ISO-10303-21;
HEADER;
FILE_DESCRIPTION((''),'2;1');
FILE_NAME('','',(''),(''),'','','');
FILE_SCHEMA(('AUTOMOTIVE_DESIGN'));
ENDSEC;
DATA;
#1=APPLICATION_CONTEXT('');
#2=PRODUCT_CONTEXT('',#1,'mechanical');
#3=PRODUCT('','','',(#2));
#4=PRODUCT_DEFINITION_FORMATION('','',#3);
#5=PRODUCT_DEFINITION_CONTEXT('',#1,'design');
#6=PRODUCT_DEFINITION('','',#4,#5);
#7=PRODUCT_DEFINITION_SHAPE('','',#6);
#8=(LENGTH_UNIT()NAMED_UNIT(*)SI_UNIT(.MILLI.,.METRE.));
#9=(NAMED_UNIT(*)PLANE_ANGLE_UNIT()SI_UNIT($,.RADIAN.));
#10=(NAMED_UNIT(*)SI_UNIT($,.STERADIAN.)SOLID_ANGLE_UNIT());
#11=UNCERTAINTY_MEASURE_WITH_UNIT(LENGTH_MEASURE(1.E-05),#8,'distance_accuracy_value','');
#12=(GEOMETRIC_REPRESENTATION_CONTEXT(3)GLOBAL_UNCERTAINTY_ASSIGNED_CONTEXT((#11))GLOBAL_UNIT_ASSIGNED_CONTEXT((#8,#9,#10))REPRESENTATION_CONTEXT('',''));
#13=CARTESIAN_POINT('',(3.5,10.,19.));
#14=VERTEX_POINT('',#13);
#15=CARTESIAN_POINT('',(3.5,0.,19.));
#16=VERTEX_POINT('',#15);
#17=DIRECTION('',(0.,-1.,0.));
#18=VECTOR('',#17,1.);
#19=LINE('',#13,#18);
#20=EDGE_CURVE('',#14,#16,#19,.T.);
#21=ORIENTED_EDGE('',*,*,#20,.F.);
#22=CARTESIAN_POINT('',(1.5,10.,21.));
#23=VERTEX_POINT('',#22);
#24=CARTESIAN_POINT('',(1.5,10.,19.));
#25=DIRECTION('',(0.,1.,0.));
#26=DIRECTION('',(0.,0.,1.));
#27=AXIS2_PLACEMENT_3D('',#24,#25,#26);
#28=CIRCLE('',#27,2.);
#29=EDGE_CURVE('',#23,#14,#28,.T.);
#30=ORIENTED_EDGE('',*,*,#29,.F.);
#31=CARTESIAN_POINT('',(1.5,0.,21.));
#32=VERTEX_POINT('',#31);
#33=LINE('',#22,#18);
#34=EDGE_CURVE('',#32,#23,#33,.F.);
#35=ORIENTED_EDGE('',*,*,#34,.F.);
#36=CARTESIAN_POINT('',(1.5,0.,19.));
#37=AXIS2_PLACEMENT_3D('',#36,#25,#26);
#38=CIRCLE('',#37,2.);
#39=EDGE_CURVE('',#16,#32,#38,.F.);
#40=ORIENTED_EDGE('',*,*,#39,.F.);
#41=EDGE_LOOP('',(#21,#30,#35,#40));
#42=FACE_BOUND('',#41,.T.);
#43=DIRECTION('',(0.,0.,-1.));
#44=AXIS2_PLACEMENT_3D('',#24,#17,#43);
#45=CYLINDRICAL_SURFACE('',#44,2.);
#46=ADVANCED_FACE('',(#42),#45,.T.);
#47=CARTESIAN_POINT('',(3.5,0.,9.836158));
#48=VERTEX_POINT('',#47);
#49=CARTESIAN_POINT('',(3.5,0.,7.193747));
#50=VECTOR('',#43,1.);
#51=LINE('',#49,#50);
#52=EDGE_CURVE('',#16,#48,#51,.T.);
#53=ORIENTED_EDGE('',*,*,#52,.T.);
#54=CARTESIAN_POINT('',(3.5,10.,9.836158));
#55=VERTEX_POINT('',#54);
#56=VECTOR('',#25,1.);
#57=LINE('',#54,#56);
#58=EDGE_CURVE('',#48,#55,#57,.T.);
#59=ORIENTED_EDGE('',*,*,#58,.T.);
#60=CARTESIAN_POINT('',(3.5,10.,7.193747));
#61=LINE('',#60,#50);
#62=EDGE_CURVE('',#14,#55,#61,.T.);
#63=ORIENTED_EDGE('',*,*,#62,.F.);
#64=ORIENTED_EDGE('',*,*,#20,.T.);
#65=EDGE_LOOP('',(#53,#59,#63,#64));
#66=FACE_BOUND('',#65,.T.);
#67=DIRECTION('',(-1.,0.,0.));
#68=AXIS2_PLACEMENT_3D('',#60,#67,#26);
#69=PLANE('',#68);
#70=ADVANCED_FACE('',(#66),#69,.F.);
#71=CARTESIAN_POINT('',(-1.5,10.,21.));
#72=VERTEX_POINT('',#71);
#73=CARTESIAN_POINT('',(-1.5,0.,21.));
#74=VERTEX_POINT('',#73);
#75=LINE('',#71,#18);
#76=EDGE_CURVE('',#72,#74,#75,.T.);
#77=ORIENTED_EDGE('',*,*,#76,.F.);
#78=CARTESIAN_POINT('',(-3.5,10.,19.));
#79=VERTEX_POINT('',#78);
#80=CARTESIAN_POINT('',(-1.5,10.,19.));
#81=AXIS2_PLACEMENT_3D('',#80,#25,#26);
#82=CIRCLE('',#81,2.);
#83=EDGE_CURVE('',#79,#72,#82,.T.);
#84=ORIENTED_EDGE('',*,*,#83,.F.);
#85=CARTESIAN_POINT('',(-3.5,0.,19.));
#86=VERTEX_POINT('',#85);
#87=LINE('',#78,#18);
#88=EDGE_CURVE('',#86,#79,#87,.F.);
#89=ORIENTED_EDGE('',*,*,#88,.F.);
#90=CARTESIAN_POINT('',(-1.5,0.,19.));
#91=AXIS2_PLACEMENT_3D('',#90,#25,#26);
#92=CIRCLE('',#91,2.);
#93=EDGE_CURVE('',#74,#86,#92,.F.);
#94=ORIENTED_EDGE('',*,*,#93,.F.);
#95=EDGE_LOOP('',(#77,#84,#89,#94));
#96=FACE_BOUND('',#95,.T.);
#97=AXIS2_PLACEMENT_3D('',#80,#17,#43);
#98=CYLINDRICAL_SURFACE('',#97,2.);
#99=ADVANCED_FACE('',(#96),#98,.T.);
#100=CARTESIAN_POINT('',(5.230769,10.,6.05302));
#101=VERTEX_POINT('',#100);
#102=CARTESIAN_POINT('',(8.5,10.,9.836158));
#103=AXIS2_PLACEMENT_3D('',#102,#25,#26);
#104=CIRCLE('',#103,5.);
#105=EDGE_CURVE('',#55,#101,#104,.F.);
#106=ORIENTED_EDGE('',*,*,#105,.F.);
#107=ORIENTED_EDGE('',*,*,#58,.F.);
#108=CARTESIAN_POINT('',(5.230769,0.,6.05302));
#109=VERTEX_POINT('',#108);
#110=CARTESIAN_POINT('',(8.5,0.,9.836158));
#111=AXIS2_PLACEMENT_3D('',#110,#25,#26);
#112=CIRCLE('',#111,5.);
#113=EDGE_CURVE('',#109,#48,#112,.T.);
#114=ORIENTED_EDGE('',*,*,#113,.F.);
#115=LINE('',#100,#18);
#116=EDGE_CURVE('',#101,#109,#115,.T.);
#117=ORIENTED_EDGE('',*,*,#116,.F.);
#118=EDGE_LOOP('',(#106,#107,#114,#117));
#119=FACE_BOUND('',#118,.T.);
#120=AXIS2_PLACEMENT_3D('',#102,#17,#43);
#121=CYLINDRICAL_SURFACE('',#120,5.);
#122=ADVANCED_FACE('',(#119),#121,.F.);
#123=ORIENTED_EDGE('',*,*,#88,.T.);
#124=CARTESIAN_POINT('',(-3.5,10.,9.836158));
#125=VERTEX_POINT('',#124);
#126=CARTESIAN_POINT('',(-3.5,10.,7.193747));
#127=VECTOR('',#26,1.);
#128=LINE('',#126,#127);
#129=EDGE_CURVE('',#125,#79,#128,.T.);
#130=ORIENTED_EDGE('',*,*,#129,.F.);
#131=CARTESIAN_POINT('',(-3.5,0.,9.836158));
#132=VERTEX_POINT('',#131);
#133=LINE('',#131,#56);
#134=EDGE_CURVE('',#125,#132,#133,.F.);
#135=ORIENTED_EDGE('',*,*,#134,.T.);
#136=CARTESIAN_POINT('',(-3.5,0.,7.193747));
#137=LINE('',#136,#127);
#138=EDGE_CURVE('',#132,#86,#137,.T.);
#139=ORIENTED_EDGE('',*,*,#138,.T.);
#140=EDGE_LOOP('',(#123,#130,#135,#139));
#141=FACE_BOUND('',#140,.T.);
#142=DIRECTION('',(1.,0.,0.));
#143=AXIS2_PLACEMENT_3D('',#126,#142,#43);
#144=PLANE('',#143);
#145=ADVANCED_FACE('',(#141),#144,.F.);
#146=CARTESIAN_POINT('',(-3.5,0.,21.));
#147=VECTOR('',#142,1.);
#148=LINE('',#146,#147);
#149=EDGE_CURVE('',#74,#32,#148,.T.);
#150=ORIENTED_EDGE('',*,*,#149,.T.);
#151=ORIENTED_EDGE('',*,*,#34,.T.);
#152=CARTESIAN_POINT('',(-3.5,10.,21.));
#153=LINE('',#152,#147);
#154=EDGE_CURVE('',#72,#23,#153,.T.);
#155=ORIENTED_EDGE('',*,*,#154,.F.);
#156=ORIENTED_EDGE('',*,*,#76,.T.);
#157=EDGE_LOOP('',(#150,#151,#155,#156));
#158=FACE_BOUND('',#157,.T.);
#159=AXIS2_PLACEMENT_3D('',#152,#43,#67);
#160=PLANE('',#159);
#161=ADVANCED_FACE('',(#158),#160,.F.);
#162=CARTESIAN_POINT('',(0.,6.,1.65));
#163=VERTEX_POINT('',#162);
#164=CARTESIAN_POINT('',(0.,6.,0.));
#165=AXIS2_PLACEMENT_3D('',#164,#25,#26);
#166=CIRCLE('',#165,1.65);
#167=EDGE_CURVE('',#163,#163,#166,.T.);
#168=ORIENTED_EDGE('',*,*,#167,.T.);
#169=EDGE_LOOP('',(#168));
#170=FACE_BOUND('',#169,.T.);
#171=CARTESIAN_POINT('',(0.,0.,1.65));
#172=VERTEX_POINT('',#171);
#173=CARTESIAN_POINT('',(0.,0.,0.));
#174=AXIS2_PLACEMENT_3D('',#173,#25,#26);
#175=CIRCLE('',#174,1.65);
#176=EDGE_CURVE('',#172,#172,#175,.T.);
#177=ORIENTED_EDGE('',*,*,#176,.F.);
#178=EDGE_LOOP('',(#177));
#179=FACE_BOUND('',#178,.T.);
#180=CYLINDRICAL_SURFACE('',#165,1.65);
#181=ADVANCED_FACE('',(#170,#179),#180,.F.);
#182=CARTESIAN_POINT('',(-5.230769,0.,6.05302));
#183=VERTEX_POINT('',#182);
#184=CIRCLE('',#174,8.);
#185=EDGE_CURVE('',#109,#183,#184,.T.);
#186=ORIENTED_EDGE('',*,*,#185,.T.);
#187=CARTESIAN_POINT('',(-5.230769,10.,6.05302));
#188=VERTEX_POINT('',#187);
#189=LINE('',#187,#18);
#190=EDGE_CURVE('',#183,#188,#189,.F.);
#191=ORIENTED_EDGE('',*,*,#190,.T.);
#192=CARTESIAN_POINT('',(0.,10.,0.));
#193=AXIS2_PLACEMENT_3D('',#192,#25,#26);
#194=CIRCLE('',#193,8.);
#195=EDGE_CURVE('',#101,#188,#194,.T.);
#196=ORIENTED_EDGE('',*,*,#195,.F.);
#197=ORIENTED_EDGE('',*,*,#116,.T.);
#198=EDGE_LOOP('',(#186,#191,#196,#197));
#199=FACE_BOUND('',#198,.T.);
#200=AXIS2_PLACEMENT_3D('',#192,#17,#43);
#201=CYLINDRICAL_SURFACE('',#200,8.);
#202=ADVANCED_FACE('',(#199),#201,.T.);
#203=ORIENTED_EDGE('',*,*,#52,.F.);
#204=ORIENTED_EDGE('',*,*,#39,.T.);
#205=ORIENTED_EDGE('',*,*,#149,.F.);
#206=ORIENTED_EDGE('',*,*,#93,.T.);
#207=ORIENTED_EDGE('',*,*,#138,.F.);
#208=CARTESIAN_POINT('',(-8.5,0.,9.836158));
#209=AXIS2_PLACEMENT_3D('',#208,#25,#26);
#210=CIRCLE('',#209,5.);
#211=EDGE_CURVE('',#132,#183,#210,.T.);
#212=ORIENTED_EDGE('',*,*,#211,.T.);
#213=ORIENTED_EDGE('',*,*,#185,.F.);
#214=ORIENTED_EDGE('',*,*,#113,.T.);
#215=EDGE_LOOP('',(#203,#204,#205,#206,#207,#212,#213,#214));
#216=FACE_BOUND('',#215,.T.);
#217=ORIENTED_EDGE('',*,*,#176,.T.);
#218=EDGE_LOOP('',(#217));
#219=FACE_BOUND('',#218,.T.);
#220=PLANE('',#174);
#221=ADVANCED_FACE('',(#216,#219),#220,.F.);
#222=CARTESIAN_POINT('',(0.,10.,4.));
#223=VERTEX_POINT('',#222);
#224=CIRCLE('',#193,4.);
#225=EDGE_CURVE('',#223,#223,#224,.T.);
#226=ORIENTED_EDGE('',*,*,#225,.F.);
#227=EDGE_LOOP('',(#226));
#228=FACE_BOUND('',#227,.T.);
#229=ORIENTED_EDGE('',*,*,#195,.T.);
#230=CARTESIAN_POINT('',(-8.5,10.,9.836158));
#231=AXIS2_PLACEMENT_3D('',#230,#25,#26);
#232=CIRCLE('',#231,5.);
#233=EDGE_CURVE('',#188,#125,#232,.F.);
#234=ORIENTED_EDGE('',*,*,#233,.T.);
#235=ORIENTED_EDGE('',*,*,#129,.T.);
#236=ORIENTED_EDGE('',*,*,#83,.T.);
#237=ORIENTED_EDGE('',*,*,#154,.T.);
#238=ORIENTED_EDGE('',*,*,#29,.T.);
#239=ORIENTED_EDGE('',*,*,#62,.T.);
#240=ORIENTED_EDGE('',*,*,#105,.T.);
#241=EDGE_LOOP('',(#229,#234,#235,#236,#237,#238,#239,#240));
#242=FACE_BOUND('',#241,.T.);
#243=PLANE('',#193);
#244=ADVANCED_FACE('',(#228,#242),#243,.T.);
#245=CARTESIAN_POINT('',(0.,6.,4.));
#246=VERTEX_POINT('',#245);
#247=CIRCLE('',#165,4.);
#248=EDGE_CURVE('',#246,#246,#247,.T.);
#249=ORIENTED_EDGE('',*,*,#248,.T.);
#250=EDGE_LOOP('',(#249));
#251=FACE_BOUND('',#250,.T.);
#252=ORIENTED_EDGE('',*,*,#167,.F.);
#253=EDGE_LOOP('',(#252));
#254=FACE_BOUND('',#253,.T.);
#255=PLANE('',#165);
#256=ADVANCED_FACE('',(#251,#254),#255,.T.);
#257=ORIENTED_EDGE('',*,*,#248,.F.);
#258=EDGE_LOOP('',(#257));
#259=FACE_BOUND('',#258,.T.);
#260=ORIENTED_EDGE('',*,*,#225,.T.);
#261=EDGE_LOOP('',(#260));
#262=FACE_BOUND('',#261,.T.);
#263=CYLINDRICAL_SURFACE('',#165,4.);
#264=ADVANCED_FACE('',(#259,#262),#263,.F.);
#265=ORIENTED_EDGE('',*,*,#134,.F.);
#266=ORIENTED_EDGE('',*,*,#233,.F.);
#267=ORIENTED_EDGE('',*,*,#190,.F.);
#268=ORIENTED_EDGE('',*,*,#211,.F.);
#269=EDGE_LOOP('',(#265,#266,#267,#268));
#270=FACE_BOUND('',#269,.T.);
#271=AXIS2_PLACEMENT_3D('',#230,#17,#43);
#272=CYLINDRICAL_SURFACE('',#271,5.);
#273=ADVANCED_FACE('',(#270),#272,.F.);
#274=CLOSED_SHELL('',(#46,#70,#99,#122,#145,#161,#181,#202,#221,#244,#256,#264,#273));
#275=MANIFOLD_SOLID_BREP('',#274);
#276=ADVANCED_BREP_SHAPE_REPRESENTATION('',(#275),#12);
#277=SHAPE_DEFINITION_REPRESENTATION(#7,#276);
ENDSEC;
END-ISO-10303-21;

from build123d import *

# Parameters (mm, degrees)
EXTRUDE_1_DEPTH     = 10
FILLET_1_R          = 2
FILLET_2_R          = 5
SKETCH_4_R          = 4
CUT_EXTRUDE_1_DEPTH = 4
M4X0_71_D           = 3.3


with BuildPart() as part:
    # Эскиз1 → Бобышка-Вытянуть1 (new body)
    with BuildSketch(Plane(origin=(0, 0, 0), x_dir=(1, 0, 0), z_dir=(0, 1, 0))):
        with BuildLine():
            Line((-3.5, -7.193747285), (-3.5, -21))
            Line((-3.5, -21), (3.5, -21))
            Line((3.5, -21), (3.5, -7.193747285))
            ThreePointArc((3.5, -7.193747285), (0, 8), (-3.5, -7.193747285))
        make_face()
    extrude(amount=EXTRUDE_1_DEPTH)

    # Скругление1
    fillet_1_edges = [part.edges().sort_by_distance(p)[0] for p in [
        (3.5, 5, 21),
        (-3.5, 5, 21),
    ]]
    fillet(fillet_1_edges, radius=FILLET_1_R)

    # Скругление2
    fillet_2_edges = [part.edges().sort_by_distance(p)[0] for p in [
        (-3.5, 5, 7.193747285),
        (3.5, 5, 7.193747285),
    ]]
    fillet(fillet_2_edges, radius=FILLET_2_R)

    # Эскиз4 → Вырез-Вытянуть1 (cut)
    with BuildSketch(Plane(origin=(0, 10, 0), x_dir=(1, 0, 0), z_dir=(0, 1, 0))):
        Circle(SKETCH_4_R)
    extrude(amount=-CUT_EXTRUDE_1_DEPTH, mode=Mode.SUBTRACT)

    # Отверстие обработанное метчиком M4x0.71 (through all)
    with Locations(Plane(origin=(0, 6, 0), x_dir=(1, 0, 0), z_dir=(0, 1, 0))):
        with Locations((0, 0)):
            Hole(M4X0_71_D / 2)


solid = part.part
